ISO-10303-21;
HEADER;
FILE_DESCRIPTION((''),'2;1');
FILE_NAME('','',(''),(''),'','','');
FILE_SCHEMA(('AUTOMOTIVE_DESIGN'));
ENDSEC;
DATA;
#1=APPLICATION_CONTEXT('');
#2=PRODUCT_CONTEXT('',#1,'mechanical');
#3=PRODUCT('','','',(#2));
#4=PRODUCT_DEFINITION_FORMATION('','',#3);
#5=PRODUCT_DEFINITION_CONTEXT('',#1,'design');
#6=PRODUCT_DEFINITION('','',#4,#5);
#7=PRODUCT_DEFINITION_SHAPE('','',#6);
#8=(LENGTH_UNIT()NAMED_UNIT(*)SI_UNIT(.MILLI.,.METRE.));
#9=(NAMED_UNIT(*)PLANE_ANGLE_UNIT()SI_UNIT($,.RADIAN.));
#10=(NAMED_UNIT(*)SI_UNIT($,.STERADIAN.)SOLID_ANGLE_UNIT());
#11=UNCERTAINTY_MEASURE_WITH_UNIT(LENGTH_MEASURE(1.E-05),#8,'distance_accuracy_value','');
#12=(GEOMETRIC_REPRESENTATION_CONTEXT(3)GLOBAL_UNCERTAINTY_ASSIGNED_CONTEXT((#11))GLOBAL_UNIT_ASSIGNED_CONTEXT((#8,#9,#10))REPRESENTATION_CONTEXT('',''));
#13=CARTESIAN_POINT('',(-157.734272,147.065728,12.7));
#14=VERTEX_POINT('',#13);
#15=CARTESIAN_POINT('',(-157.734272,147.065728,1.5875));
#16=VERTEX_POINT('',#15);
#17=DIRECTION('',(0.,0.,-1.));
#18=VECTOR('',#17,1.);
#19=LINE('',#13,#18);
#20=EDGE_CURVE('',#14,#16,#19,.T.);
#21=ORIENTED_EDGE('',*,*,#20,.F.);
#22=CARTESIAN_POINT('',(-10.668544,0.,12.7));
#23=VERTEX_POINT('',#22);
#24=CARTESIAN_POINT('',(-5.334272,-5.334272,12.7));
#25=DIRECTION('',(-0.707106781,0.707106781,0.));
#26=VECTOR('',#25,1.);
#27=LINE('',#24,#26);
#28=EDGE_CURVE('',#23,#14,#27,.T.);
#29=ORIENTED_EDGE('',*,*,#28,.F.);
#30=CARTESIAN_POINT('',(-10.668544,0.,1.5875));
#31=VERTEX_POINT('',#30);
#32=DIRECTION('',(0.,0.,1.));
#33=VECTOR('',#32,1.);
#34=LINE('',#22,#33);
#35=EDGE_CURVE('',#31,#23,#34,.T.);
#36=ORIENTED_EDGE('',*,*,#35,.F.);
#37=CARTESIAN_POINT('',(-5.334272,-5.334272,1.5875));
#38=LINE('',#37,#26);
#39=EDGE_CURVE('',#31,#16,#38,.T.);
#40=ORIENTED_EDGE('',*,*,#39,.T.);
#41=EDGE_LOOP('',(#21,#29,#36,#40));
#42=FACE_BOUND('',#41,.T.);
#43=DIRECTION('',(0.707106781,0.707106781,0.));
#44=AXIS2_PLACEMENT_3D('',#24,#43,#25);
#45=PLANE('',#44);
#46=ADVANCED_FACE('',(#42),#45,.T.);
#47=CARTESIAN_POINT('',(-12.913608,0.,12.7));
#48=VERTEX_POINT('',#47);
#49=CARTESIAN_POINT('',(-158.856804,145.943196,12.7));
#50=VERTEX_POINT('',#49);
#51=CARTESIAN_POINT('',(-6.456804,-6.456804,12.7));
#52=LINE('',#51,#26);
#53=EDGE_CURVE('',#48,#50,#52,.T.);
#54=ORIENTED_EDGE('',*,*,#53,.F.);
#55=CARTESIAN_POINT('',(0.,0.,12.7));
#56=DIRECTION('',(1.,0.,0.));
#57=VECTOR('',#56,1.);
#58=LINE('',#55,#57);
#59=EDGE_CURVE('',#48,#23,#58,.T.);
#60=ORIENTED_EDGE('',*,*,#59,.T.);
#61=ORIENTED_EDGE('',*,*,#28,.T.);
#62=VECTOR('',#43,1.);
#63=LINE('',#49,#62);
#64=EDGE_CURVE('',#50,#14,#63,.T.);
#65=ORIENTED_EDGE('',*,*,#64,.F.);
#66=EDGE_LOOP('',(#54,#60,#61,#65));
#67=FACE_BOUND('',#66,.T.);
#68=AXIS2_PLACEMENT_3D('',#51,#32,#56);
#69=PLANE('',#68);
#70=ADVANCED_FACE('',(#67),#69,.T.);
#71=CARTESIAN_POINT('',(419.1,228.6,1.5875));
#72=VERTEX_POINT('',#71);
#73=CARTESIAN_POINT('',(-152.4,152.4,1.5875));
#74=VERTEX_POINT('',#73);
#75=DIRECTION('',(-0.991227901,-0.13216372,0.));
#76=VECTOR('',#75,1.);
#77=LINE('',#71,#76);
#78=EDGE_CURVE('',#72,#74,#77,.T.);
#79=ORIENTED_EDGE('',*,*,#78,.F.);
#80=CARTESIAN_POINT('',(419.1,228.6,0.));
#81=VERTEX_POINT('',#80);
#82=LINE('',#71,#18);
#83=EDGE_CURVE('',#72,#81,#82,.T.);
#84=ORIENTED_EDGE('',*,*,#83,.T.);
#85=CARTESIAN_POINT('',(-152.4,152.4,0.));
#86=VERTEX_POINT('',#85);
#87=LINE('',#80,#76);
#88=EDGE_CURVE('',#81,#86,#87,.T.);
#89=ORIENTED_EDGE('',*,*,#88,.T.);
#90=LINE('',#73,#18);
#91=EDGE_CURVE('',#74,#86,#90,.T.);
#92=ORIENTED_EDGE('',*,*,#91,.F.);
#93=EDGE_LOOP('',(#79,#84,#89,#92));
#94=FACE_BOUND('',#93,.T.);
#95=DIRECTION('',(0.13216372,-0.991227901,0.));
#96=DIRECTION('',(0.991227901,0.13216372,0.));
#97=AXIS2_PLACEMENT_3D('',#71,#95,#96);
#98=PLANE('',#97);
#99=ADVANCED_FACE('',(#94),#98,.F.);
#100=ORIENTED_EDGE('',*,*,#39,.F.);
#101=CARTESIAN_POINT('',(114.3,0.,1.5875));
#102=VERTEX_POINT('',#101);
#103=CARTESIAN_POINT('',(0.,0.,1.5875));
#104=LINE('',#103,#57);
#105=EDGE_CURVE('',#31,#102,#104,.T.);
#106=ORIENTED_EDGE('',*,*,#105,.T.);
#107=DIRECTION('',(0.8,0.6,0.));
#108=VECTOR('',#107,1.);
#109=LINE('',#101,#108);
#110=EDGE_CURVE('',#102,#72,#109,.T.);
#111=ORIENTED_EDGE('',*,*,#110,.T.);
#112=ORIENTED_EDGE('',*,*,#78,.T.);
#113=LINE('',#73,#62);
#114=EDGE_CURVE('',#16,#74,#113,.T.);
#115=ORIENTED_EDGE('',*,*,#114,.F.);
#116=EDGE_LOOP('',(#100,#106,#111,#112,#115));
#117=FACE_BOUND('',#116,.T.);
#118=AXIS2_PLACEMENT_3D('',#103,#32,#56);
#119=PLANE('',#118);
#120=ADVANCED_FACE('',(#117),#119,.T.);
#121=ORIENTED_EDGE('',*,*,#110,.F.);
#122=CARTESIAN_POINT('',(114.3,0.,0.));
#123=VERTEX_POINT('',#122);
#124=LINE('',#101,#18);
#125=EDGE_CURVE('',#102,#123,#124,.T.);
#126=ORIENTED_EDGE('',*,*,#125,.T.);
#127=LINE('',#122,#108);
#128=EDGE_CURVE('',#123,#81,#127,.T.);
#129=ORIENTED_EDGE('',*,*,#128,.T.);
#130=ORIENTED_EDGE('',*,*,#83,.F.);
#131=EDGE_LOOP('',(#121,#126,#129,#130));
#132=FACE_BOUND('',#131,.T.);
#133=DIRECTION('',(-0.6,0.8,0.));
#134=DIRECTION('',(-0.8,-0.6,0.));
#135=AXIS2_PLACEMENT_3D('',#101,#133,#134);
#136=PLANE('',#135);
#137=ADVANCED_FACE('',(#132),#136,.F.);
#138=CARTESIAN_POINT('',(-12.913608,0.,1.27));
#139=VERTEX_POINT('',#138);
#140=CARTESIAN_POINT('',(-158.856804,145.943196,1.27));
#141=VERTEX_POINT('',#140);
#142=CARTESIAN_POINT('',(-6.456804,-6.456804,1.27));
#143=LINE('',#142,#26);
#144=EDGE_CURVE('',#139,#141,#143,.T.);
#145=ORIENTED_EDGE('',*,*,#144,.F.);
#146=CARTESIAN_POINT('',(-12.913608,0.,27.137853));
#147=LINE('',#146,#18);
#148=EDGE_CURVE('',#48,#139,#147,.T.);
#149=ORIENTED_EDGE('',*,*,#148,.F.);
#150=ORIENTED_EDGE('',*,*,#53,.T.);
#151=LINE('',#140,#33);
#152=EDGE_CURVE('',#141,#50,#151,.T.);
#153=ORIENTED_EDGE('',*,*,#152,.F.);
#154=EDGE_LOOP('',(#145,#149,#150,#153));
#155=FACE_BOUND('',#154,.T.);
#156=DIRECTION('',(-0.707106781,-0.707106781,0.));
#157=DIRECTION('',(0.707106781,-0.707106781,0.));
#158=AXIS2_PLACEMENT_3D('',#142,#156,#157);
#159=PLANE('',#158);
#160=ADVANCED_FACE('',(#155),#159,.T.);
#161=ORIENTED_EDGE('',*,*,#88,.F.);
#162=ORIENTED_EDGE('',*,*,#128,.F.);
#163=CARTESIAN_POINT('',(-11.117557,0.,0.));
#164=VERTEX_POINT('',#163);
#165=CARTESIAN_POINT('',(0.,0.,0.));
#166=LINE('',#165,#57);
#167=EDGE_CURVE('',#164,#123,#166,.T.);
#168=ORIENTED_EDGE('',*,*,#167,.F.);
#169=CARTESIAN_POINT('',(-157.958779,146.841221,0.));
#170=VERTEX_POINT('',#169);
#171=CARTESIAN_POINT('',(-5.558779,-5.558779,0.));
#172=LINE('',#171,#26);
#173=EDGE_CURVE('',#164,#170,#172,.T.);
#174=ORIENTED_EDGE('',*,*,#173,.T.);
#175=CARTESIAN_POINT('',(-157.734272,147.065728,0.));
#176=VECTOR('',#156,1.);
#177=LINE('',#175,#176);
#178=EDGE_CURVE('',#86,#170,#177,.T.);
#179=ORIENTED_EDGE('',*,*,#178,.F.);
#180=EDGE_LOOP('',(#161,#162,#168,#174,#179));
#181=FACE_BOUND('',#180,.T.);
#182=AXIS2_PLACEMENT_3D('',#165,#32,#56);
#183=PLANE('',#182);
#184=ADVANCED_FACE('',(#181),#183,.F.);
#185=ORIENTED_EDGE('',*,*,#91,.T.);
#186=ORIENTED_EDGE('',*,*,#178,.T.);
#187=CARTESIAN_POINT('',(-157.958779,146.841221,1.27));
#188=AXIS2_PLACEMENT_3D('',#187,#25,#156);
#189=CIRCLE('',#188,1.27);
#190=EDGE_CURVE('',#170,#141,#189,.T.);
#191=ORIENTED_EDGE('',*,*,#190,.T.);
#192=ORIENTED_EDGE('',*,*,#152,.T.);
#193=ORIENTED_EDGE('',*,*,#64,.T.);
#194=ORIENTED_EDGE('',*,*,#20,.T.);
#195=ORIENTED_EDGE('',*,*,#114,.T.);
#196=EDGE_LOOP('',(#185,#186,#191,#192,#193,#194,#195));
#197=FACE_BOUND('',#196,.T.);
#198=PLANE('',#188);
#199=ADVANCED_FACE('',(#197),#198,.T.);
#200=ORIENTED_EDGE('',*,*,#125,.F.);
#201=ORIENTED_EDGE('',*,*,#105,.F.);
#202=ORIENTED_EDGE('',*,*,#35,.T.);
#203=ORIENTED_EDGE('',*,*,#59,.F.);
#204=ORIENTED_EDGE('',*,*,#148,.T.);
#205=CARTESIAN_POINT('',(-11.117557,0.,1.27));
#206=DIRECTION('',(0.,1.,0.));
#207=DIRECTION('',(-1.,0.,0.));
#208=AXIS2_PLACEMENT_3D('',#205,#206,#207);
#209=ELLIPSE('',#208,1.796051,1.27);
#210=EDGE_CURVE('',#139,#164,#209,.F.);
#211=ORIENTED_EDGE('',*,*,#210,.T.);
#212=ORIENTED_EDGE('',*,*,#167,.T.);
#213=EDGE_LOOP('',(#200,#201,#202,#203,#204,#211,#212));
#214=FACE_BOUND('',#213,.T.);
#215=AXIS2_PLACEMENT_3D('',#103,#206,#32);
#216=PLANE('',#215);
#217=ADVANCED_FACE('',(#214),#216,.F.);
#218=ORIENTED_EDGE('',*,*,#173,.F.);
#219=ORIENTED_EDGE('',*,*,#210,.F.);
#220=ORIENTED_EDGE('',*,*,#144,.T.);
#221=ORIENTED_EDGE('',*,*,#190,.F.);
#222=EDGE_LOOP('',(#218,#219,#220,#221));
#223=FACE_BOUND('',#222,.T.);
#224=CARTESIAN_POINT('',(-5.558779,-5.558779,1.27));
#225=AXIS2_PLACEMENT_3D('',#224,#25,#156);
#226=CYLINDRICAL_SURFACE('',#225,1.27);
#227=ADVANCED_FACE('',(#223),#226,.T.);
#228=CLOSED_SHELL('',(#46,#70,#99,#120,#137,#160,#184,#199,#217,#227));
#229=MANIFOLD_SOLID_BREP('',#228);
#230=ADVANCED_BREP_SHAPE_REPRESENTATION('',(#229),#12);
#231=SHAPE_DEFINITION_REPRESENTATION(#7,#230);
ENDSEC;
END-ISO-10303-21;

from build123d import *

# Parameters (mm, degrees)
BOSS_EXTRUDE1_DEPTH = 1.5875
BOSS_EXTRUDE2_DEPTH = 215.526147
CUT_EXTRUDE1_DEPTH  = 12.7


with BuildPart() as part:
    # Sketch2 → Boss-Extrude1 (new body)
    with BuildSketch(Plane.XY):
        Polygon((0, 0), (114.3, 0), (419.1, 228.6), (-152.4, 152.4), align=None)
    extrude(amount=BOSS_EXTRUDE1_DEPTH)

    # Sketch6 → Boss-Extrude2 (add)
    with BuildSketch(Plane(origin=(-152.4, 152.4, 0), x_dir=(0, 0, -1), z_dir=(-0.7071067811865476, 0.7071067811865476, 0))):
        with BuildLine():
            Line((0, 7.5438), (0, 7.8613))
            ThreePointArc((0, 7.8613), (-0.371974388, 8.759325612), (-1.27, 9.1313))
            Line((-1.27, 9.1313), (-12.7, 9.1313))
            Line((-12.7, 9.1313), (-12.7, 7.5438))
            Line((-12.7, 7.5438), (-1.5875, 7.5438))
            Line((-1.5875, 7.5438), (-1.5875, 0))
            Line((-1.5875, 0), (0, 0))
            Line((0, 0), (0, 7.5438))
        make_face()
    extrude(amount=-BOSS_EXTRUDE2_DEPTH)

    # Sketch7 → Cut-Extrude1 (cut)
    with BuildSketch(Plane(origin=(0, 0, 0), x_dir=(-1, 0, 0), z_dir=(0, 0, -1))):
        Polygon((0, 0), (12.913608302, 0), (6.456804151, -6.456804151), align=None)
    extrude(amount=-CUT_EXTRUDE1_DEPTH, mode=Mode.SUBTRACT)


solid = part.part
